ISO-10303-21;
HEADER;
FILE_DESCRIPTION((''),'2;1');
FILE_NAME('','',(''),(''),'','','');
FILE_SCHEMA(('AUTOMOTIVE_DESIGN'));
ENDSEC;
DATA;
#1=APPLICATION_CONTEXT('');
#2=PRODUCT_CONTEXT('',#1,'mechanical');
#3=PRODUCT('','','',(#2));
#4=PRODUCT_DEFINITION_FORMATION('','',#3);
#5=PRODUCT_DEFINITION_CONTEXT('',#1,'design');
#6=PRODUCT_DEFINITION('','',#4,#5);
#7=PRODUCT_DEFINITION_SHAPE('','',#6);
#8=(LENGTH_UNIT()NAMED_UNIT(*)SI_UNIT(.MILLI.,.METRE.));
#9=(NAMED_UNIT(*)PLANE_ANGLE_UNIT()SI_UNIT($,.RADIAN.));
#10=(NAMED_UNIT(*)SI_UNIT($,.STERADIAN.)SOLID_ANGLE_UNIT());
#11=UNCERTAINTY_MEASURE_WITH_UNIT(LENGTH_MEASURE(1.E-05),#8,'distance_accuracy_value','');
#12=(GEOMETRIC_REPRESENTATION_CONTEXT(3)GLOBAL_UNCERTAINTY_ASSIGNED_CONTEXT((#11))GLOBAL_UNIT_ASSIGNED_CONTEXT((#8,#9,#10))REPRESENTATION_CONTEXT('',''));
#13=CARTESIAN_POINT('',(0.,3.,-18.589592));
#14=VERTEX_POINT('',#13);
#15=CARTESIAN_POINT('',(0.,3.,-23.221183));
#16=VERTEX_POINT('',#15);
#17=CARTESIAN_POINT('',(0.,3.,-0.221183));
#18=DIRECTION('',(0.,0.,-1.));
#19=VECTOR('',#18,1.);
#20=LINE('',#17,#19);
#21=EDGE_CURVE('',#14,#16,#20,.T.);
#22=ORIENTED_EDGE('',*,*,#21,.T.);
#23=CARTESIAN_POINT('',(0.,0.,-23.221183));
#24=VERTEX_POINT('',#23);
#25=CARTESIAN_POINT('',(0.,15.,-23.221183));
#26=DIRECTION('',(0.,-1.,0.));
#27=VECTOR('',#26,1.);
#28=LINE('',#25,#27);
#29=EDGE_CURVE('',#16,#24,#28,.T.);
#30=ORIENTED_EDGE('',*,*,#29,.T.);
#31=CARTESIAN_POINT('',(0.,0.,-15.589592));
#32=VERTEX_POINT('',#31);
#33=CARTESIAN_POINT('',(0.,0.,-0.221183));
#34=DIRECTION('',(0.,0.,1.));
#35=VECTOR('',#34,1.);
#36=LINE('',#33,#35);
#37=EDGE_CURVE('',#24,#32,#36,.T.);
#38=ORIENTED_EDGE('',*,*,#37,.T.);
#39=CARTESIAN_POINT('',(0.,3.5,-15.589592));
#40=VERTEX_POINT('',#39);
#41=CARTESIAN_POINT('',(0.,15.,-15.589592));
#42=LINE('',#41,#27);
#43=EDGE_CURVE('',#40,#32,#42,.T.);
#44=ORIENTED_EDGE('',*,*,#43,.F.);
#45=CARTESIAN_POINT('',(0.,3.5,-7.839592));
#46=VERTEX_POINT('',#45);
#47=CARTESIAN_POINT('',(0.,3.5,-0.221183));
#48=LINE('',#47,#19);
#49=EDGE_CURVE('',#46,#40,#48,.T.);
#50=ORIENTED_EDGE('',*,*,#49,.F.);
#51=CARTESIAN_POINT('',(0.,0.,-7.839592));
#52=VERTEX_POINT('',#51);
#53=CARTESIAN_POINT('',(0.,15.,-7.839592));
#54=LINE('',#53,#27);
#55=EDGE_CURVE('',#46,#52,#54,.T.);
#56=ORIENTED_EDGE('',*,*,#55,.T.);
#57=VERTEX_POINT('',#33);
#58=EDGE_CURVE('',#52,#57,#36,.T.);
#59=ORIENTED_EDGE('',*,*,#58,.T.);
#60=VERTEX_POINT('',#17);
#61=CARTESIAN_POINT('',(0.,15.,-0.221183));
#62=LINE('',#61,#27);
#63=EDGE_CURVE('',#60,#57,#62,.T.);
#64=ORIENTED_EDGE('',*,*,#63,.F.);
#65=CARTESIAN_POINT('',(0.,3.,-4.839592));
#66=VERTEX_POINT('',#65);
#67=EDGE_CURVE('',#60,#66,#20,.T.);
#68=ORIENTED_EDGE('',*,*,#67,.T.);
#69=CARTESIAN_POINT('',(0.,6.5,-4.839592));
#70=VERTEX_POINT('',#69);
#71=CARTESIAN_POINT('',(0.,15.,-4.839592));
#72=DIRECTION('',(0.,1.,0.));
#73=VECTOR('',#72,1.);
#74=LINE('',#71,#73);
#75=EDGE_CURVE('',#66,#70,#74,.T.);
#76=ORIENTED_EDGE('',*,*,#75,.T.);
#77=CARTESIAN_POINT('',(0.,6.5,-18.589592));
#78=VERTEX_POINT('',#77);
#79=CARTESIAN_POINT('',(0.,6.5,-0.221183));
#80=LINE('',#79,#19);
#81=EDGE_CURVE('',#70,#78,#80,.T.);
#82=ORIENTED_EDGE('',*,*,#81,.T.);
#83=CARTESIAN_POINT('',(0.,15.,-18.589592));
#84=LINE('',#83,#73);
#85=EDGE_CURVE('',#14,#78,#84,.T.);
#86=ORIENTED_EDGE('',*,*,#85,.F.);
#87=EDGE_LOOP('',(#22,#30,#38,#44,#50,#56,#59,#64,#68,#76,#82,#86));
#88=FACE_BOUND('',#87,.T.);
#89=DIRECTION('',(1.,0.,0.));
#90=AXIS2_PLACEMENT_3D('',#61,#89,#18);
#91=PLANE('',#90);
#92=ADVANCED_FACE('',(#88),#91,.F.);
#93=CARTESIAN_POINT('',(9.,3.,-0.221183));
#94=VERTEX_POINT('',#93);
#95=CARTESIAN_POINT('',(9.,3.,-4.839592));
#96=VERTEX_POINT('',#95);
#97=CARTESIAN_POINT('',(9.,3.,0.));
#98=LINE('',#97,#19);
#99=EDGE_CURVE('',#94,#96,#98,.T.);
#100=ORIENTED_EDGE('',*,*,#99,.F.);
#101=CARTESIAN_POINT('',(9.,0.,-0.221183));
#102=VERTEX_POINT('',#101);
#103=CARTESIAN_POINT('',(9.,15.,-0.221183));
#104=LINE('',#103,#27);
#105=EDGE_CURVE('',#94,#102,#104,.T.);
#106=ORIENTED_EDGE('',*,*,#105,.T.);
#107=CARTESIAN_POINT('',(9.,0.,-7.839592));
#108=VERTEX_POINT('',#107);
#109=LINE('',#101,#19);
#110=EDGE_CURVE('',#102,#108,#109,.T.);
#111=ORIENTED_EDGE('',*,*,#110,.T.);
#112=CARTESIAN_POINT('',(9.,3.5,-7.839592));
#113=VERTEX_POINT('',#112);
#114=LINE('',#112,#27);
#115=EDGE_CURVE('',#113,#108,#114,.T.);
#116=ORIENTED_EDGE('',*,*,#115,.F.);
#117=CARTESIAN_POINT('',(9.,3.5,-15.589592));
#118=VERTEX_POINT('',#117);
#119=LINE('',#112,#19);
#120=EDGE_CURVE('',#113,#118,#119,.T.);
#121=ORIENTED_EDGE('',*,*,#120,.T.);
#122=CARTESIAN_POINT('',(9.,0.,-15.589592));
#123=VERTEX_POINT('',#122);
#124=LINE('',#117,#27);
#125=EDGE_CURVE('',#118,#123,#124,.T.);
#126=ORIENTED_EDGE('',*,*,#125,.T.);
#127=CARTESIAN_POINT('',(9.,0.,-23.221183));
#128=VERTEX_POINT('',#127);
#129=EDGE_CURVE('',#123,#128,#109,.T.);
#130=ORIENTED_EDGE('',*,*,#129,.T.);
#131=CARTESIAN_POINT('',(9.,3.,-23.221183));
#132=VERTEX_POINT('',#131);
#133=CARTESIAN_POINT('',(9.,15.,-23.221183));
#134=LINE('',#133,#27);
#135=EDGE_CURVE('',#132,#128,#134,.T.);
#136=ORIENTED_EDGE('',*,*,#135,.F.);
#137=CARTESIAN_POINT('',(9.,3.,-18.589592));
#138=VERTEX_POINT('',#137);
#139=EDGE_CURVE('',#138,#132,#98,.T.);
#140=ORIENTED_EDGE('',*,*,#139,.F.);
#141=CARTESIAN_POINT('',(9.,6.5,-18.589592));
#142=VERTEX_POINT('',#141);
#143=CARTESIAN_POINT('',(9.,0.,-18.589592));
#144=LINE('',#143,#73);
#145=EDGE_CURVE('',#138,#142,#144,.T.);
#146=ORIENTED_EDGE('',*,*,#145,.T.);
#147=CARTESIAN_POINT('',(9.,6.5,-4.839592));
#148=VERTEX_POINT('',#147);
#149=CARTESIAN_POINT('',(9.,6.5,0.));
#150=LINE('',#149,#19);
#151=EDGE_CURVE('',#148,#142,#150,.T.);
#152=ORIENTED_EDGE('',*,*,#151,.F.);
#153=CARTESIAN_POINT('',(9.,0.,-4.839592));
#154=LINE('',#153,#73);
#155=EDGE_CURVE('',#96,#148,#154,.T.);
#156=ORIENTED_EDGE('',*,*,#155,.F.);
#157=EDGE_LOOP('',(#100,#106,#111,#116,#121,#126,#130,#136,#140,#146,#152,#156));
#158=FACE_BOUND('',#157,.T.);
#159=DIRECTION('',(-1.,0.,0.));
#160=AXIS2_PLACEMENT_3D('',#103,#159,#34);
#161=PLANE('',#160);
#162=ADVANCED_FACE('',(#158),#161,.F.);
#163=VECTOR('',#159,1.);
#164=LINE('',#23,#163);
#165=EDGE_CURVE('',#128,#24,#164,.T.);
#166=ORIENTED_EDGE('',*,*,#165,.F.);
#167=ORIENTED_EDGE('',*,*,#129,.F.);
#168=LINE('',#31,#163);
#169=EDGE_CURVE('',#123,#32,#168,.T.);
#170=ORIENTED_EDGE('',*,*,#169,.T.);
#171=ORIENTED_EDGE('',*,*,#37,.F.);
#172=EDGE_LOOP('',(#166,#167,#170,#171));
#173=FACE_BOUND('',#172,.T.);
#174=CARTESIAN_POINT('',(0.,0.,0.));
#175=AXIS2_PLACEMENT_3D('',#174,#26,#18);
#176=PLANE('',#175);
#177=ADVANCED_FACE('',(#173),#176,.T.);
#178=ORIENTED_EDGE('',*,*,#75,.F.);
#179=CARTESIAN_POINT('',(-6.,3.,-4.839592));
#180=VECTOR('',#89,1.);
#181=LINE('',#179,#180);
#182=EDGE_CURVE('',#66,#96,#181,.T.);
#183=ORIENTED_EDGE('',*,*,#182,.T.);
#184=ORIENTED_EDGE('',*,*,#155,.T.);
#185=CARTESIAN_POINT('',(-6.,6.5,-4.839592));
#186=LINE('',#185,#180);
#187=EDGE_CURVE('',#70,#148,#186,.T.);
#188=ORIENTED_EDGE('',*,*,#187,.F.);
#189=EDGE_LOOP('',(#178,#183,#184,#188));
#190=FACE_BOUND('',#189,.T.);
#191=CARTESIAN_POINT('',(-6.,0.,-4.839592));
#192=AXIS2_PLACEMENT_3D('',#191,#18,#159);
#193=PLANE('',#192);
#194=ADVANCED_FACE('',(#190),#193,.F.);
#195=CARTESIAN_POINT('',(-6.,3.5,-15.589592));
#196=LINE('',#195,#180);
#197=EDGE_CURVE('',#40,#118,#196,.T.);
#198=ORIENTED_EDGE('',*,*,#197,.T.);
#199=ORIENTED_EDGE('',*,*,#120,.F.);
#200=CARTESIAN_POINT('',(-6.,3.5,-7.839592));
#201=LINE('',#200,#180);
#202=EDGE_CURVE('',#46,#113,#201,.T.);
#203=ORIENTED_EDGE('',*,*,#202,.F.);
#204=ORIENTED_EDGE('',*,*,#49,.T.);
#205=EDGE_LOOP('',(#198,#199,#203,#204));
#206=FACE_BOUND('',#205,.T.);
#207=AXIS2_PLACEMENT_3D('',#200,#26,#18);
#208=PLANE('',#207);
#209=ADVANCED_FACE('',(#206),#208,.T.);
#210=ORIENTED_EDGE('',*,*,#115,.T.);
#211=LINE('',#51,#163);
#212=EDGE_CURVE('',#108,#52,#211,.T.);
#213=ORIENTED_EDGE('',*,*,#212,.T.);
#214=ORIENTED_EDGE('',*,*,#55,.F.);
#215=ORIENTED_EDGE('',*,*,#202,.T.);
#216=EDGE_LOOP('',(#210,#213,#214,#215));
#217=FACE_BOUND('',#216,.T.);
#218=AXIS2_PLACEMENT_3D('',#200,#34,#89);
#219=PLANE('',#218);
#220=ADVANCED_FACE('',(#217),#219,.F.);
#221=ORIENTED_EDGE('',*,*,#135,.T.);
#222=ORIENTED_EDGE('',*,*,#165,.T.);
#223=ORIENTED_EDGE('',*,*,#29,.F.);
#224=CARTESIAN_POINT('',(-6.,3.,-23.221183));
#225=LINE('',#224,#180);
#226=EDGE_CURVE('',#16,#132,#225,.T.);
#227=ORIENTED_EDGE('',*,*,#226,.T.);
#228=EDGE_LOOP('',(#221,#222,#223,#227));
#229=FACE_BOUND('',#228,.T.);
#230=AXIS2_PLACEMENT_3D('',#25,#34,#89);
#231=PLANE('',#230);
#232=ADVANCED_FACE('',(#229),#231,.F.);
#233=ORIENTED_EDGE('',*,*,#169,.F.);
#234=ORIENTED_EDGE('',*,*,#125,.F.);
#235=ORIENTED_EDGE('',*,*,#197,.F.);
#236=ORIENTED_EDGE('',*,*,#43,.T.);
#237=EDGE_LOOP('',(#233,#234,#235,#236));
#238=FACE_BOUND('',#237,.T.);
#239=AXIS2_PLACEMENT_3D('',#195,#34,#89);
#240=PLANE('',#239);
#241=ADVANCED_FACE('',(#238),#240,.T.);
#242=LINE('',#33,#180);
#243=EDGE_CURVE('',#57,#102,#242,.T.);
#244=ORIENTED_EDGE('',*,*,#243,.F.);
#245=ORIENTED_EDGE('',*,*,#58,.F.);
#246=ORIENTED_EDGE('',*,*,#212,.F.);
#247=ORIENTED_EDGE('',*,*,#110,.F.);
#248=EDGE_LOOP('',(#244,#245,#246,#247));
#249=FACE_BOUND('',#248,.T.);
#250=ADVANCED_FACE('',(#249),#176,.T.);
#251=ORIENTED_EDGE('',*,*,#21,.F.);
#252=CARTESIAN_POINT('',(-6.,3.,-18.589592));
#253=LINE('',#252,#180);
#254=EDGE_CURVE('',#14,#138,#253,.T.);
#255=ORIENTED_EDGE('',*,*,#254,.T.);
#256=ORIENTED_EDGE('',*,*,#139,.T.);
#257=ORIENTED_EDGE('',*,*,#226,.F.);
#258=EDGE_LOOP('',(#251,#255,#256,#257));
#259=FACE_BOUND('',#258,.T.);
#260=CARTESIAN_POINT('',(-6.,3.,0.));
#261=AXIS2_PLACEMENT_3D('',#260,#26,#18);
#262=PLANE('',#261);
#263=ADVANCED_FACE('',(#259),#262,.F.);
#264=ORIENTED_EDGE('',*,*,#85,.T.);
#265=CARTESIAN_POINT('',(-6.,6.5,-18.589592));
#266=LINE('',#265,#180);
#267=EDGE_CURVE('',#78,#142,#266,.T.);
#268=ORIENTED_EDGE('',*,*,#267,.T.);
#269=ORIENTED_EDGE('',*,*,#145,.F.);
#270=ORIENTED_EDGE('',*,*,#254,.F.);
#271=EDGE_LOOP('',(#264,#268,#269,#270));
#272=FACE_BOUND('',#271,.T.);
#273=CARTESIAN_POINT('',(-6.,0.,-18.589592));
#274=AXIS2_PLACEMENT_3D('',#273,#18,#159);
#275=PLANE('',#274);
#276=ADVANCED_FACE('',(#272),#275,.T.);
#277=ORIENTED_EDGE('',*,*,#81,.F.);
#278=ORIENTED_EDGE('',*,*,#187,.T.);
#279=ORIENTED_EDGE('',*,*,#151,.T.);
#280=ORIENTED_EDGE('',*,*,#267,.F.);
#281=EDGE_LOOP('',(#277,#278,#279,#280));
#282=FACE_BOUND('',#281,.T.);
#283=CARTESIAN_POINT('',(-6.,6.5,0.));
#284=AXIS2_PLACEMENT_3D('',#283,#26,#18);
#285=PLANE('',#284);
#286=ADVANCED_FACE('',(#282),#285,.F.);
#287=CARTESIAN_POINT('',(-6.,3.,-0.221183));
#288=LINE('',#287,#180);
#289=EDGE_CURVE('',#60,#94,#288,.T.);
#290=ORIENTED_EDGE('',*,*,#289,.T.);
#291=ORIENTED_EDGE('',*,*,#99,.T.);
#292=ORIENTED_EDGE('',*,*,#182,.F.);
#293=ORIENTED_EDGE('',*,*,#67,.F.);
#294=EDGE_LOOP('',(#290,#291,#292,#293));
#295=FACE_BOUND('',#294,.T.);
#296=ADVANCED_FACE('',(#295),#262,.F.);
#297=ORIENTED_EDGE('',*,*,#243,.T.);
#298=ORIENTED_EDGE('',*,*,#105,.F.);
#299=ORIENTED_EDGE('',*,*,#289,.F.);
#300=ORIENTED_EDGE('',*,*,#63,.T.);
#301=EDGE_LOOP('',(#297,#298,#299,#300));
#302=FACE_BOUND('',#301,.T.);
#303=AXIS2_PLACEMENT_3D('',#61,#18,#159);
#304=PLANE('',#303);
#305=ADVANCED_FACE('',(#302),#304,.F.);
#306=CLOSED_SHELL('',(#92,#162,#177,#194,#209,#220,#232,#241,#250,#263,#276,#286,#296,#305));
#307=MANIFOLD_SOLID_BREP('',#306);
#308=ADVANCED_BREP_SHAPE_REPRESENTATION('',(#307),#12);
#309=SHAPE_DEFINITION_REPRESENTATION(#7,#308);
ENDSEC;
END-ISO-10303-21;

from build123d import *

# Parameters (mm, degrees)
SKETCH1_W           = 9
SKETCH1_H           = 23
BOSS_EXTRUDE1_DEPTH = 15
SKETCH2_W           = 7.75
SKETCH2_H           = 3.5
CUT_EXTRUDE1_DEPTH  = 15


with BuildPart() as part:
    # Sketch1 → Boss-Extrude1 (new body)
    with BuildSketch(Plane(origin=(0, 0, 0), x_dir=(1, 0, 0), z_dir=(0, 1, 0))):
        with Locations((4.5, 11.721182832)):
            Rectangle(SKETCH1_W, SKETCH1_H)
    extrude(amount=BOSS_EXTRUDE1_DEPTH)

    # Sketch2 → Cut-Extrude1 (cut)
    with BuildSketch(Plane(origin=(9, 0, 0), x_dir=(0, 0, -1), z_dir=(1, 0, 0))):
        Polygon((0.221182832, 3), (4.83959223, 3), (4.83959223, 6.5), (18.58959223, 6.5), (18.58959223, 3), (23.221182832, 3), (23.221182832, 15), (0.221182832, 15), align=None)
        with Locations((11.71459223, 1.75)):
            Rectangle(SKETCH2_W, SKETCH2_H)
    extrude(amount=-CUT_EXTRUDE1_DEPTH, mode=Mode.SUBTRACT)


solid = part.part
